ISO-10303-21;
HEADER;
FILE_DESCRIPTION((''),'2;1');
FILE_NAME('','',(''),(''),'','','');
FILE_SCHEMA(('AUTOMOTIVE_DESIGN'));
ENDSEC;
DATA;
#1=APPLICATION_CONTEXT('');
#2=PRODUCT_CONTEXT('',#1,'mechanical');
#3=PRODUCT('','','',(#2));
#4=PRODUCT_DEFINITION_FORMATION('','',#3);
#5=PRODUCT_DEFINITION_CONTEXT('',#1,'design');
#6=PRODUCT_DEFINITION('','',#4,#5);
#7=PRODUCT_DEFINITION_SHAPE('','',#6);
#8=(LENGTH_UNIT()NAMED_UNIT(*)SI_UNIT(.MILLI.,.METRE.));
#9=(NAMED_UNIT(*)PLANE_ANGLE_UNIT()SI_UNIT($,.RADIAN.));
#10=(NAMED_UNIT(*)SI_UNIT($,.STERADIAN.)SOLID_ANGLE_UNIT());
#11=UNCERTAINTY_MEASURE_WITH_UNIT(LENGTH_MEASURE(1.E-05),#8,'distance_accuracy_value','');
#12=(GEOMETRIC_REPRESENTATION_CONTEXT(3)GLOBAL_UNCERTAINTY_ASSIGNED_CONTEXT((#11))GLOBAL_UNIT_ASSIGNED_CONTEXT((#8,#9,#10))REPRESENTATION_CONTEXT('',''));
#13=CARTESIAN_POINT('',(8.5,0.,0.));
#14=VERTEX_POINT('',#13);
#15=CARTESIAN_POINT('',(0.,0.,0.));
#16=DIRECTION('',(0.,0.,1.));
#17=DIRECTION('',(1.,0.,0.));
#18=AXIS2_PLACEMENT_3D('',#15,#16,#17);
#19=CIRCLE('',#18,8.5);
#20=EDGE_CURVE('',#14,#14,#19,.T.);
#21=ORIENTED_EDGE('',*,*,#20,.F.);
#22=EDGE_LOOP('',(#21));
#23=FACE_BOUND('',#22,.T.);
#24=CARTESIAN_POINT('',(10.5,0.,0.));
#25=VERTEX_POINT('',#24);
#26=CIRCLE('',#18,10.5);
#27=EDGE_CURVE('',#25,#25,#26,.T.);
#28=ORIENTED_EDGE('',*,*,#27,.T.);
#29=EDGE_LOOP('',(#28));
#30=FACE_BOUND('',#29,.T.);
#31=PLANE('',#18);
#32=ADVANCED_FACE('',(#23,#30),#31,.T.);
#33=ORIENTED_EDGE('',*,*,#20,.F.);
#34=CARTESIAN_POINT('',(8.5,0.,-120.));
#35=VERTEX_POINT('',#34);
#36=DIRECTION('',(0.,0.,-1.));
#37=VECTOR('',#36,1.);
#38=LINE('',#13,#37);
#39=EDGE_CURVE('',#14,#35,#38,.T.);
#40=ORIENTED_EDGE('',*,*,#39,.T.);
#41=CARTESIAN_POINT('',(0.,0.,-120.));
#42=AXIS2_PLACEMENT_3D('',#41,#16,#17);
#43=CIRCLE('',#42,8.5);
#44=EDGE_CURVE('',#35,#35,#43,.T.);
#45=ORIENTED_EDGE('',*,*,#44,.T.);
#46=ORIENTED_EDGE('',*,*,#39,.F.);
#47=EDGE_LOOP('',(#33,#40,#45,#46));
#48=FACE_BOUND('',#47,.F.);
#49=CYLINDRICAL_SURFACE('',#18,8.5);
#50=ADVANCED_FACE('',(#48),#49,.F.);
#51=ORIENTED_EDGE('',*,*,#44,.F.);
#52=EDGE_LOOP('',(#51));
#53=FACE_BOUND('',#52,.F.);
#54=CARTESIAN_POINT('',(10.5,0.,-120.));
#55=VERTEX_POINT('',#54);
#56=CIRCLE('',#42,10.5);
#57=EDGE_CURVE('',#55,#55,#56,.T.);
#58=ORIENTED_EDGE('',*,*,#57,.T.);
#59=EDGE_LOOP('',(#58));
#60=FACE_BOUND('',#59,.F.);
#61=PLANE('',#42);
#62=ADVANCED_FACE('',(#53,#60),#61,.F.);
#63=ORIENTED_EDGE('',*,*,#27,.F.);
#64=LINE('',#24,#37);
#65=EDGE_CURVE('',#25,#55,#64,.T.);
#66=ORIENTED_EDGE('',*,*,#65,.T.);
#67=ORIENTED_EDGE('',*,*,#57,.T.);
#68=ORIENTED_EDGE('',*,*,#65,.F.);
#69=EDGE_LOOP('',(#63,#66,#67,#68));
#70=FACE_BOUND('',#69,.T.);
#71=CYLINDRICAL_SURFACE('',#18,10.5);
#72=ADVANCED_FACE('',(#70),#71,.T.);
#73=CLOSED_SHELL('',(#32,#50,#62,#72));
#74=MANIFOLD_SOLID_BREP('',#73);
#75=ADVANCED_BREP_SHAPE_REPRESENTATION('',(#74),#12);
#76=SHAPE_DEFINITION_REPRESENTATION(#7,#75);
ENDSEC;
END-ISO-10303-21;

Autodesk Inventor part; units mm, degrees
ref_plane "YZ Plane" through (0, 0, 0) normal (1, 0, 0) x (0, 1, 0)
ref_plane "XZ Plane" through (0, 0, 0) normal (0, 1, 0) x (-1, 0, 0)
ref_plane "XY Plane" through (0, 0, 0) normal (0, 0, 1) x (1, 0, 0)
sketch "Sketch11" plane through (0, 0, 0) normal (0, 0, 1) x (1, 0, 0)
  circle A0 centre (0, 0) radius 10.5
  circle A1 centre (0, 0) radius 8.5
  dimension "d187" = 21
  dimension "d188" = 2
extrude "Extrusion5" add sketch "Sketch11" against normal blind 120
properties part number "TZS 757 FDS 940 way tube 4" material "Stainless Steel"
